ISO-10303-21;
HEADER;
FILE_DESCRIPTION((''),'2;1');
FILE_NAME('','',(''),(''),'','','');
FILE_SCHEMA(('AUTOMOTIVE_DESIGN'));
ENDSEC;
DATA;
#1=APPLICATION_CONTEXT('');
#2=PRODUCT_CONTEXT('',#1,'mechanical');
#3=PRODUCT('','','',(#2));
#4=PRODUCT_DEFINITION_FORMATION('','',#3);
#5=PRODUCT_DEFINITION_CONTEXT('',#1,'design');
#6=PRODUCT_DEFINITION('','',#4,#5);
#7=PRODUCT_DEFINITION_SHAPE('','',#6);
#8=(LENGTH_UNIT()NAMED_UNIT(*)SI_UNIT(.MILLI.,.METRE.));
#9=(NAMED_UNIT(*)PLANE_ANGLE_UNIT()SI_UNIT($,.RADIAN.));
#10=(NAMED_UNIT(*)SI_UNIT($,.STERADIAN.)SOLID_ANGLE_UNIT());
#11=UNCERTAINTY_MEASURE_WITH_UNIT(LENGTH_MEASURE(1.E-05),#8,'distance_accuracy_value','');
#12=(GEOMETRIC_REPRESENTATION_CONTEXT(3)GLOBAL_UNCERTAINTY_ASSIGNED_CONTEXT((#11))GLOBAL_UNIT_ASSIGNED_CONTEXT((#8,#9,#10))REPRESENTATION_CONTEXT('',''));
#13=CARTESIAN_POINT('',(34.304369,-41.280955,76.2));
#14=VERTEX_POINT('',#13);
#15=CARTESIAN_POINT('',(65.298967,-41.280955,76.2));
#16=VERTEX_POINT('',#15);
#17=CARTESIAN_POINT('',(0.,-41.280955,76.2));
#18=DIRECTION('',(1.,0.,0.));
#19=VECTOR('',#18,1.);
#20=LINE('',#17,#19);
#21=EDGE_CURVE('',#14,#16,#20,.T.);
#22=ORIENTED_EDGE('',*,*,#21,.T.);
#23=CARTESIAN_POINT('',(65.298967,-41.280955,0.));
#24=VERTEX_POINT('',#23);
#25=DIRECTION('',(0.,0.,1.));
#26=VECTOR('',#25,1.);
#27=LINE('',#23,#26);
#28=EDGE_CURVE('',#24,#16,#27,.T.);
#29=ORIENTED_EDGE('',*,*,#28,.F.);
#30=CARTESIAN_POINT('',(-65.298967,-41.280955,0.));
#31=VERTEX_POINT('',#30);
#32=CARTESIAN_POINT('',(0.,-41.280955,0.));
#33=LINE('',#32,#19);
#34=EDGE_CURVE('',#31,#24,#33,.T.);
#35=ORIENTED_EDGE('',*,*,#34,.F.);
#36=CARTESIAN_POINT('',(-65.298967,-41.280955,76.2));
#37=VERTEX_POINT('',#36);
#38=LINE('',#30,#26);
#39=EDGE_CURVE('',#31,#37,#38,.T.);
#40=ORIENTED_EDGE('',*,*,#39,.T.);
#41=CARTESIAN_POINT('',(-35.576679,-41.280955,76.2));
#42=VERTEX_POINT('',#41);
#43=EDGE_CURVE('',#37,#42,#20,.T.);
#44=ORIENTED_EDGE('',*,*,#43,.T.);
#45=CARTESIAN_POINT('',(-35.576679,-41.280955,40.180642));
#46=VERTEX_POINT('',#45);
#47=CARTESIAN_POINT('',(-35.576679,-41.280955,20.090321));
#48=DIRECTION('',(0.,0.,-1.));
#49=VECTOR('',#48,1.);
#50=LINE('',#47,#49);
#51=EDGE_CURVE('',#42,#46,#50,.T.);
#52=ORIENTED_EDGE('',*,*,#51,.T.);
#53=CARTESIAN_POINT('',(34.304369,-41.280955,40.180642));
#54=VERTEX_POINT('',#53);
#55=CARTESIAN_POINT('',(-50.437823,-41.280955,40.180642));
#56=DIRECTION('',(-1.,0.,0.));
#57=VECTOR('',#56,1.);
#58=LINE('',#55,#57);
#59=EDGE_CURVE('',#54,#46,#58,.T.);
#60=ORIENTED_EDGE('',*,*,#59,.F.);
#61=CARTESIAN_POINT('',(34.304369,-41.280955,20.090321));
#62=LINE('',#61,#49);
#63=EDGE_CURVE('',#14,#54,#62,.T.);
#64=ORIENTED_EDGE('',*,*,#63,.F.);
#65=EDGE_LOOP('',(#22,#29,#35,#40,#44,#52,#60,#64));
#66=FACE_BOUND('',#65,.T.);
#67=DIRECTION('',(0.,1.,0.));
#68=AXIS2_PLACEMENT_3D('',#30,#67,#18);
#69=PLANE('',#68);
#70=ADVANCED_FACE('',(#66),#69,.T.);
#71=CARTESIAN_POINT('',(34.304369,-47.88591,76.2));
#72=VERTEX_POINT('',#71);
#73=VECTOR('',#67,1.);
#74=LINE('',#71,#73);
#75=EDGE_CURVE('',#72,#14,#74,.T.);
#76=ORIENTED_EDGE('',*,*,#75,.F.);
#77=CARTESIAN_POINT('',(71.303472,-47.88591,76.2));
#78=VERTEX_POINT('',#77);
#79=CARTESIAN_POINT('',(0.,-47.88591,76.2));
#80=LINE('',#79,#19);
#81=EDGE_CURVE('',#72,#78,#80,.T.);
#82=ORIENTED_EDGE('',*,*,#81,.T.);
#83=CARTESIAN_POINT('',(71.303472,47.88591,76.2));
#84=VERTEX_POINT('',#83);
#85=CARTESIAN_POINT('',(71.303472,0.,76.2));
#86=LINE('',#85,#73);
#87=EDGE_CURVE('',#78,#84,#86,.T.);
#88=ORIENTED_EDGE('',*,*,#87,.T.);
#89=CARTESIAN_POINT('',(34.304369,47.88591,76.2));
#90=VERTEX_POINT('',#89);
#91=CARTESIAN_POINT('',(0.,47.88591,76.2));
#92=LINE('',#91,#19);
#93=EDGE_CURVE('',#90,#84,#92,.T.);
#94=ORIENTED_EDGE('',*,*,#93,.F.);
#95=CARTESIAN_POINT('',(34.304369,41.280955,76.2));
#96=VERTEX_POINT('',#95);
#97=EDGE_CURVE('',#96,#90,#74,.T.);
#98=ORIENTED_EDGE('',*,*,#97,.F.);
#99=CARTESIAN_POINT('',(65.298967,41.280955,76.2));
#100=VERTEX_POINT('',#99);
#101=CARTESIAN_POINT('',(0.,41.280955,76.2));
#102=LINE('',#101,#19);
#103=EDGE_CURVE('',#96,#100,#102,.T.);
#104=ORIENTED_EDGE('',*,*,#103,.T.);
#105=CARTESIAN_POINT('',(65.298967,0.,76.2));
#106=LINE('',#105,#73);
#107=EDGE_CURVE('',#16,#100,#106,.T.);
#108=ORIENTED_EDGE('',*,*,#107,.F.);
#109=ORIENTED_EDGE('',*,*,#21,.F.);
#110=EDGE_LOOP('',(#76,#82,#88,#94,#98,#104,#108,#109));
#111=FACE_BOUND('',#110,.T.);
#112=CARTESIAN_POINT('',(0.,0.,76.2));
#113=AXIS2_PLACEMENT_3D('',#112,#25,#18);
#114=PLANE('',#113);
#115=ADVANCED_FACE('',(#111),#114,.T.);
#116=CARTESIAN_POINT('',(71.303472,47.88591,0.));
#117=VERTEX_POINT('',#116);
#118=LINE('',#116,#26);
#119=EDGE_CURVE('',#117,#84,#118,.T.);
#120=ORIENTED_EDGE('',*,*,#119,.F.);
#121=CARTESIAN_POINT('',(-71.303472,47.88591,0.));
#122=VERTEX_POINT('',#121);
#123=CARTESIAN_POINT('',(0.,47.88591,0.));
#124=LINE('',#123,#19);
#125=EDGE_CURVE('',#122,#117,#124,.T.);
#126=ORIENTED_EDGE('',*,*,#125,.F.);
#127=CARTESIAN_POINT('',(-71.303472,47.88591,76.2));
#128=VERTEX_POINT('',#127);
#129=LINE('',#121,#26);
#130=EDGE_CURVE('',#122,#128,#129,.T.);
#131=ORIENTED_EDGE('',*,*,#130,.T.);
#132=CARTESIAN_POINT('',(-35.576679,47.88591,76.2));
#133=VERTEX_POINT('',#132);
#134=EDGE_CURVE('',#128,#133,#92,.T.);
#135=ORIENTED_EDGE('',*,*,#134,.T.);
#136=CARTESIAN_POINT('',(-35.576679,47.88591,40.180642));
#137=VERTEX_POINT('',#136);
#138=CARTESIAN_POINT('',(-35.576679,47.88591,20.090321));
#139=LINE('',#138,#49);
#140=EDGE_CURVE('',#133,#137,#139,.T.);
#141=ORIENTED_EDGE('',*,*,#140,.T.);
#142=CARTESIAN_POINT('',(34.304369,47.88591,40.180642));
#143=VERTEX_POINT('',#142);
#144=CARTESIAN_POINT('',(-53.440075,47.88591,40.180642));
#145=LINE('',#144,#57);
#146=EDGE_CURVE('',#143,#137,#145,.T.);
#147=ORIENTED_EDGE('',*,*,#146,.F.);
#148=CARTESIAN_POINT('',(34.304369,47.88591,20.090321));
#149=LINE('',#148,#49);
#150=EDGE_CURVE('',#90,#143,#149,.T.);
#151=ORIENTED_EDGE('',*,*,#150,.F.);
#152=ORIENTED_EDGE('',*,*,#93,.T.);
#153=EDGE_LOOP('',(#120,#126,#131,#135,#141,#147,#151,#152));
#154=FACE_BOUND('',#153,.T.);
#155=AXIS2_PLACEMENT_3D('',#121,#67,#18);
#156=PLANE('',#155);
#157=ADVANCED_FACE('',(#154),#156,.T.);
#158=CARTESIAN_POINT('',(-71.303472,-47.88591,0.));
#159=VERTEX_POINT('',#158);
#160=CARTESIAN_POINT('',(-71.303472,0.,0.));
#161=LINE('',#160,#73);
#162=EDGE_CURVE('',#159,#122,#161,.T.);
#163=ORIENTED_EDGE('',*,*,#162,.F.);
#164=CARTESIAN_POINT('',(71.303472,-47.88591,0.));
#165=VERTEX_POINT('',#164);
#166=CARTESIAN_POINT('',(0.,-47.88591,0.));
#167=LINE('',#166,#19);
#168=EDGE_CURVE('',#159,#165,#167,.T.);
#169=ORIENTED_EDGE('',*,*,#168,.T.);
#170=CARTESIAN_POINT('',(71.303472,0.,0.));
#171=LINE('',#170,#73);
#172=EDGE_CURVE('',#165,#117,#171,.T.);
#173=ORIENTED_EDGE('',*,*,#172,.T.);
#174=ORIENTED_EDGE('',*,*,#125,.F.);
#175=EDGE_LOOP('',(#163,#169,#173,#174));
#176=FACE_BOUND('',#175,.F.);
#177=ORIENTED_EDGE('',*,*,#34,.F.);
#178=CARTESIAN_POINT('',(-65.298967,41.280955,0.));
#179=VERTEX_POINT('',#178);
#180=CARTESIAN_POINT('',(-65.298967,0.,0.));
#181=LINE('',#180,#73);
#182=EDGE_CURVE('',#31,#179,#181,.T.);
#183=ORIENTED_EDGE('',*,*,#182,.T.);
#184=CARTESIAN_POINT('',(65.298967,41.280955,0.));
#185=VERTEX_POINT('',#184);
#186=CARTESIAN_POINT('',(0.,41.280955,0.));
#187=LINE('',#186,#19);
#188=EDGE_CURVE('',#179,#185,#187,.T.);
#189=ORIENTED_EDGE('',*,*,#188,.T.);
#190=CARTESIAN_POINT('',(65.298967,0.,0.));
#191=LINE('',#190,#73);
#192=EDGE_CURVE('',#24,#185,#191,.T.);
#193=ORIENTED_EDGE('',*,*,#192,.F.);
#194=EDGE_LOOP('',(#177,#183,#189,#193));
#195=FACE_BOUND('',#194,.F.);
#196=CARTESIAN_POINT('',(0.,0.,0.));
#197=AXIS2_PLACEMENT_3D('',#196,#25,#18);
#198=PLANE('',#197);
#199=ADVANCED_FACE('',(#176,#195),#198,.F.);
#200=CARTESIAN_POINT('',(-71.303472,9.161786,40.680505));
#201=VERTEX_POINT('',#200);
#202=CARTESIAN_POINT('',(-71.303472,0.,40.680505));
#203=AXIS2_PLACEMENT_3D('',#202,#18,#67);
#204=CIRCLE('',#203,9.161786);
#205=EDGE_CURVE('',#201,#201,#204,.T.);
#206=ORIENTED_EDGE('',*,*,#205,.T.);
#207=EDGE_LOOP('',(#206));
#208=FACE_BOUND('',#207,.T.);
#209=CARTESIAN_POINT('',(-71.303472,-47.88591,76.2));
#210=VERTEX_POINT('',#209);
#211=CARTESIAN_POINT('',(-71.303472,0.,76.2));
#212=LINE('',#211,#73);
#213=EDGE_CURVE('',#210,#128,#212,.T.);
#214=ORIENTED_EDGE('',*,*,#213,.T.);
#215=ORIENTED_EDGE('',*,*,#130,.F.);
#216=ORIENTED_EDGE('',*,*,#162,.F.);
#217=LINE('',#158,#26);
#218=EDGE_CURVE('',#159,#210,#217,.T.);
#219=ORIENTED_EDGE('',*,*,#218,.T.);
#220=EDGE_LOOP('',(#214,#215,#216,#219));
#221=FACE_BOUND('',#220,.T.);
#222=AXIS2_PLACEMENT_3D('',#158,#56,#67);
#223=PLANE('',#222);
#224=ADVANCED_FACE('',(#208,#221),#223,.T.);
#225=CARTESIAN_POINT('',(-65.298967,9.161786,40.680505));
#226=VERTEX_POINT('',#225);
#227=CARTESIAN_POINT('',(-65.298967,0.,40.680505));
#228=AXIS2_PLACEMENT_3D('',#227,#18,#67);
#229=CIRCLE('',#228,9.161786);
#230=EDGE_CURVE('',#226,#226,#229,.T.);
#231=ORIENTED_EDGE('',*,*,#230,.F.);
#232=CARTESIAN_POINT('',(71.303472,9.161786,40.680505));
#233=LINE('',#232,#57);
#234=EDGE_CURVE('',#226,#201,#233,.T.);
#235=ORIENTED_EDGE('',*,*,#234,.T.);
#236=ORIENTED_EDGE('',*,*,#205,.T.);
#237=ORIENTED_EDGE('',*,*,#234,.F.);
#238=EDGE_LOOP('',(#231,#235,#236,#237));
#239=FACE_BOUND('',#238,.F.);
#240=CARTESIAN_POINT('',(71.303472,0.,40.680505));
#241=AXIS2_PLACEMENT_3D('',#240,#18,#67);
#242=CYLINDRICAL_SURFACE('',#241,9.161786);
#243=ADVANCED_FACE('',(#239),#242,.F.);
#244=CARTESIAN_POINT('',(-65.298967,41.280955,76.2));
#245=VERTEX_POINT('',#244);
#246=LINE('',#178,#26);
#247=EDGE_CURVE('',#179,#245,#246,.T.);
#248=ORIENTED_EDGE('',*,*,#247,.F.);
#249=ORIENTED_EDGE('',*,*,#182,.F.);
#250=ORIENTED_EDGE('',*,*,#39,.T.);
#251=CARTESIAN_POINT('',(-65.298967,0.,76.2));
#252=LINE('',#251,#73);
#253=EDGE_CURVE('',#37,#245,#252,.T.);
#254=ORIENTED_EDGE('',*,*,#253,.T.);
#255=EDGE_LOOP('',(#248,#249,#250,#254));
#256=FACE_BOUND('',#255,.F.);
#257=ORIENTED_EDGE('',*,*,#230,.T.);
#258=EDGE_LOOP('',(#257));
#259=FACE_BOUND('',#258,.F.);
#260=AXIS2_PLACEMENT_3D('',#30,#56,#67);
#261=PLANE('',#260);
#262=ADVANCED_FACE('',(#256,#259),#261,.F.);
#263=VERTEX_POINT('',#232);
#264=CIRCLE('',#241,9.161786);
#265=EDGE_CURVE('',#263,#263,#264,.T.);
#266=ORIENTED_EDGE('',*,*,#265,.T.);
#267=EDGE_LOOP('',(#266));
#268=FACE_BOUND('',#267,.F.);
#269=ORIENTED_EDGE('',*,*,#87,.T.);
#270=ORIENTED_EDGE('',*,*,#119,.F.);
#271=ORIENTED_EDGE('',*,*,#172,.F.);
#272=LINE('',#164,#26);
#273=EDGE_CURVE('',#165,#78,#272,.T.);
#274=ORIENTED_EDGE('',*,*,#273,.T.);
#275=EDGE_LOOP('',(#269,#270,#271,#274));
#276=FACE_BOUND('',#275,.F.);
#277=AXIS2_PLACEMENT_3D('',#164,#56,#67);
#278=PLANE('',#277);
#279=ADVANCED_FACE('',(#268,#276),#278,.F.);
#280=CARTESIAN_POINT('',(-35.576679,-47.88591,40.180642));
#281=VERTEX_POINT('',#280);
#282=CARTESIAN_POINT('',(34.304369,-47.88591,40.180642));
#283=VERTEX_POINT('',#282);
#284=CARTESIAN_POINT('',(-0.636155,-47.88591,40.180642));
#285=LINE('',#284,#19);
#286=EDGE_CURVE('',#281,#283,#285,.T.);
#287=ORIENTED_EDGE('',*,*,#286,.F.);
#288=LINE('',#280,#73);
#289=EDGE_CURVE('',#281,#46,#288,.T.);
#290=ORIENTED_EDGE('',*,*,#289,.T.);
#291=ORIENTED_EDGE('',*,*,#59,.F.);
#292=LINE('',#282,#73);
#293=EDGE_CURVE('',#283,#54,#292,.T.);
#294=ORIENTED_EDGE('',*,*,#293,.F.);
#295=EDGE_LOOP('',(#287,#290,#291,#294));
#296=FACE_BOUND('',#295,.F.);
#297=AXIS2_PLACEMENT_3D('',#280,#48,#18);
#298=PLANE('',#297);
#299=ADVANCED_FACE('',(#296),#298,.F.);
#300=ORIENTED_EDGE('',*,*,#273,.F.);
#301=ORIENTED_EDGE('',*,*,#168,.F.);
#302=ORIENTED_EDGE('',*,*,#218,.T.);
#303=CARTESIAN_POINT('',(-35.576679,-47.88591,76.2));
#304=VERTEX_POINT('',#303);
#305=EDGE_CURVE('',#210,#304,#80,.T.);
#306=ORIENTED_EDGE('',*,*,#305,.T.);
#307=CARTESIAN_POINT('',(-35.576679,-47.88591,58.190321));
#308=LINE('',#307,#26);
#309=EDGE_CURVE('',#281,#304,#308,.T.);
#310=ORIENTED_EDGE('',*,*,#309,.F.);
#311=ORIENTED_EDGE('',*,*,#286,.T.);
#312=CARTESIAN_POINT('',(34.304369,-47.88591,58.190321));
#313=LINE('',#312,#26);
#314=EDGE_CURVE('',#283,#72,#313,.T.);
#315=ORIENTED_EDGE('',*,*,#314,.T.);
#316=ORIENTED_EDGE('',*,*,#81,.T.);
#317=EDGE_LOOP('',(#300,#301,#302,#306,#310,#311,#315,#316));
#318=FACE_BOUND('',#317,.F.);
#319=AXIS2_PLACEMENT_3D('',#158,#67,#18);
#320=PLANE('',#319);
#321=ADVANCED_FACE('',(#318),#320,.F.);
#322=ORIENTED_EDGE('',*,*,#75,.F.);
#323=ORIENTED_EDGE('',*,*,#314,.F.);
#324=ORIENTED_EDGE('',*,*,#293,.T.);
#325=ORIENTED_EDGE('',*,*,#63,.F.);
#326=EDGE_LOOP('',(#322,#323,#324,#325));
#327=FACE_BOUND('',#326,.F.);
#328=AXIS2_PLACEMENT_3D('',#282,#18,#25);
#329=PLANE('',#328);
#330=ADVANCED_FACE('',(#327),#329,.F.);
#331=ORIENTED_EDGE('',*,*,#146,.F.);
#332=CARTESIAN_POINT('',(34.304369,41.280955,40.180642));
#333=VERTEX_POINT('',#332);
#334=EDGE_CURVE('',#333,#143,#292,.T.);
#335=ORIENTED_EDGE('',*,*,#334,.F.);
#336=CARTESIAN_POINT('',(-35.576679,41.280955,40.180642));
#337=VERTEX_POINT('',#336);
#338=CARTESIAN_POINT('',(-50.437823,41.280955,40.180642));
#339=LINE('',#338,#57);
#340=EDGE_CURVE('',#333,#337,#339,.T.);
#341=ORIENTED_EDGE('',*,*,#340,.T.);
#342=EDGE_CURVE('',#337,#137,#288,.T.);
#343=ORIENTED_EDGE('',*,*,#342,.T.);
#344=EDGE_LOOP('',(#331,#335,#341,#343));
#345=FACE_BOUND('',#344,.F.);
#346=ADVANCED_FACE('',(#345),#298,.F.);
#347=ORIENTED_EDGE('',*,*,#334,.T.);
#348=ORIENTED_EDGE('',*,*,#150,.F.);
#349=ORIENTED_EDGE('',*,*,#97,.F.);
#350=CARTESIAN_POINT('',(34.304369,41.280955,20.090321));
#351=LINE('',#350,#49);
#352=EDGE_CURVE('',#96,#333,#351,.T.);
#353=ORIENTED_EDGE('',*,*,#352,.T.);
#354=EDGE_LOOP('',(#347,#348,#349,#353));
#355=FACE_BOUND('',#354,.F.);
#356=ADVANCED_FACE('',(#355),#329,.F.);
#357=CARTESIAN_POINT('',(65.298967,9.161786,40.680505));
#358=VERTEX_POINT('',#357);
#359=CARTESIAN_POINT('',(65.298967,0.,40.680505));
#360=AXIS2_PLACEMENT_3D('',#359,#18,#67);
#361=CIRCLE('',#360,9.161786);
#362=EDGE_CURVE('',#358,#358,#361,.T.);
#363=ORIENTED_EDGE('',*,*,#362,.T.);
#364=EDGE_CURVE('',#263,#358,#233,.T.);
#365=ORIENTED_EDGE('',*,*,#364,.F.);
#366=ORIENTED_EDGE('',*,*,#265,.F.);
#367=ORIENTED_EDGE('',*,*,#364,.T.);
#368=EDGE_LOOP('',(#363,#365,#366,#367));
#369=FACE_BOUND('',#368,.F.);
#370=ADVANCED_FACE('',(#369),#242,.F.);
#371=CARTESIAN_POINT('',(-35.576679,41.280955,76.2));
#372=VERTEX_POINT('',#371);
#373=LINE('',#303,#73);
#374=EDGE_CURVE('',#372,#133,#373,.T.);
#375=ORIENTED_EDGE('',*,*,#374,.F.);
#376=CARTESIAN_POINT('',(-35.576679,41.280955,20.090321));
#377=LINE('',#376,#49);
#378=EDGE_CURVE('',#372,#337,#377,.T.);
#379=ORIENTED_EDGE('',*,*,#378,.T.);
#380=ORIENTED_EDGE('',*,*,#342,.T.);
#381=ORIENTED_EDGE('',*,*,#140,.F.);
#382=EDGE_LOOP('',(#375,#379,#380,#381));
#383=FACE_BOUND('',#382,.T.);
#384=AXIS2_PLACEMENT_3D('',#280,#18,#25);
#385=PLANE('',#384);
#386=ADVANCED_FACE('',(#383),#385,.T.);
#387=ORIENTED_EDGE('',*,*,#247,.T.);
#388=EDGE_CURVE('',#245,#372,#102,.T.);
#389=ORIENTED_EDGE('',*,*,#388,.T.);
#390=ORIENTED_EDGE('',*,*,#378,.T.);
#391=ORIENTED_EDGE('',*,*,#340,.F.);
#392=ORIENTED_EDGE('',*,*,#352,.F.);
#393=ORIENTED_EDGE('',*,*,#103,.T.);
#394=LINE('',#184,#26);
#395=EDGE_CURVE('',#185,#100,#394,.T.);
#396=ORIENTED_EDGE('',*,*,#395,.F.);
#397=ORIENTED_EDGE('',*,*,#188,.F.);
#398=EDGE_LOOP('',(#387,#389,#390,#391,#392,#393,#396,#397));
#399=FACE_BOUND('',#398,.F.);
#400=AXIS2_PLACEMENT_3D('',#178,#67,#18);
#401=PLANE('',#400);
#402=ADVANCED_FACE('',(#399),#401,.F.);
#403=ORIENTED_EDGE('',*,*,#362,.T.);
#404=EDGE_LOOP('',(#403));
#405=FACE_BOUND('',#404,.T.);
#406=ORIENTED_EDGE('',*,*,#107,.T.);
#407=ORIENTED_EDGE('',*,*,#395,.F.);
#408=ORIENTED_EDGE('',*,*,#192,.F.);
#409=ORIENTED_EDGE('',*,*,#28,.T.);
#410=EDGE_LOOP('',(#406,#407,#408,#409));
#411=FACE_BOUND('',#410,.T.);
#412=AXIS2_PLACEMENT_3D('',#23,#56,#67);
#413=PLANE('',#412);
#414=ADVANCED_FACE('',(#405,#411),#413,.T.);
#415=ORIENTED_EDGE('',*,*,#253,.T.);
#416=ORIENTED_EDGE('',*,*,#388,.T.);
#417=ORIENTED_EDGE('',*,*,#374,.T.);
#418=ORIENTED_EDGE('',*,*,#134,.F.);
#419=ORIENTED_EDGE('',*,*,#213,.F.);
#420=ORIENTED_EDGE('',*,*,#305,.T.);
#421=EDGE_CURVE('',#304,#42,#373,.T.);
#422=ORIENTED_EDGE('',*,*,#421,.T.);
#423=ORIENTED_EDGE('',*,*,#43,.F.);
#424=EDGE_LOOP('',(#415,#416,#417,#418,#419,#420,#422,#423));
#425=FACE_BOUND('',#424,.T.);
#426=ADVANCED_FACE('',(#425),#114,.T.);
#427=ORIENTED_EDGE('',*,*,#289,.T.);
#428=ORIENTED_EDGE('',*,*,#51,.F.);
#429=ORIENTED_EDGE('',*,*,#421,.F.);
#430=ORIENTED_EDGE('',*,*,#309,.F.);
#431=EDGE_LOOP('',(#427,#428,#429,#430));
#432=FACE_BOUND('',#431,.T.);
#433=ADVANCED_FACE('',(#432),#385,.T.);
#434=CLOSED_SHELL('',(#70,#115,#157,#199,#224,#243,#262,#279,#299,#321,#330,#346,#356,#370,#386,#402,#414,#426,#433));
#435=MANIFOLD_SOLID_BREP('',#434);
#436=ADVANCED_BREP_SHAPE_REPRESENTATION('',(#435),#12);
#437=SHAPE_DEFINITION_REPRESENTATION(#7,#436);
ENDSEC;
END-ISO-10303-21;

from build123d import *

# Parameters (mm, degrees)
F0_W     = 142.606944
F0_H     = 95.77182
F0_W_2   = 130.597934
F0_H_2   = 82.56191
F1_DEPTH = 76.2
F2_W     = 69.881048
F2_H     = 36.019358
F3_DEPTH = 127
F4_R     = 9.161786
F5_DEPTH = 177.8


with BuildPart() as f1:
    # F0 (on Top) → F1 (new body)
    with BuildSketch(Plane.XY):
        Rectangle(F0_W, F0_H)
        Rectangle(F0_W_2, F0_H_2, mode=Mode.SUBTRACT)
    extrude(amount=F1_DEPTH)

    # F2 (on face) → F3 (cut)
    with BuildSketch(Plane.XZ.offset(47.88591)):
        with Locations((-0.636155, 58.190321)):
            Rectangle(F2_W, F2_H)
    extrude(amount=-F3_DEPTH, mode=Mode.SUBTRACT)

    # F4 (on face) → F5 (cut)
    with BuildSketch(Plane.YZ.offset(71.303472)):
        with Locations((0, 40.680505)):
            Circle(F4_R)
    extrude(amount=-F5_DEPTH, mode=Mode.SUBTRACT)


solid = f1.part
